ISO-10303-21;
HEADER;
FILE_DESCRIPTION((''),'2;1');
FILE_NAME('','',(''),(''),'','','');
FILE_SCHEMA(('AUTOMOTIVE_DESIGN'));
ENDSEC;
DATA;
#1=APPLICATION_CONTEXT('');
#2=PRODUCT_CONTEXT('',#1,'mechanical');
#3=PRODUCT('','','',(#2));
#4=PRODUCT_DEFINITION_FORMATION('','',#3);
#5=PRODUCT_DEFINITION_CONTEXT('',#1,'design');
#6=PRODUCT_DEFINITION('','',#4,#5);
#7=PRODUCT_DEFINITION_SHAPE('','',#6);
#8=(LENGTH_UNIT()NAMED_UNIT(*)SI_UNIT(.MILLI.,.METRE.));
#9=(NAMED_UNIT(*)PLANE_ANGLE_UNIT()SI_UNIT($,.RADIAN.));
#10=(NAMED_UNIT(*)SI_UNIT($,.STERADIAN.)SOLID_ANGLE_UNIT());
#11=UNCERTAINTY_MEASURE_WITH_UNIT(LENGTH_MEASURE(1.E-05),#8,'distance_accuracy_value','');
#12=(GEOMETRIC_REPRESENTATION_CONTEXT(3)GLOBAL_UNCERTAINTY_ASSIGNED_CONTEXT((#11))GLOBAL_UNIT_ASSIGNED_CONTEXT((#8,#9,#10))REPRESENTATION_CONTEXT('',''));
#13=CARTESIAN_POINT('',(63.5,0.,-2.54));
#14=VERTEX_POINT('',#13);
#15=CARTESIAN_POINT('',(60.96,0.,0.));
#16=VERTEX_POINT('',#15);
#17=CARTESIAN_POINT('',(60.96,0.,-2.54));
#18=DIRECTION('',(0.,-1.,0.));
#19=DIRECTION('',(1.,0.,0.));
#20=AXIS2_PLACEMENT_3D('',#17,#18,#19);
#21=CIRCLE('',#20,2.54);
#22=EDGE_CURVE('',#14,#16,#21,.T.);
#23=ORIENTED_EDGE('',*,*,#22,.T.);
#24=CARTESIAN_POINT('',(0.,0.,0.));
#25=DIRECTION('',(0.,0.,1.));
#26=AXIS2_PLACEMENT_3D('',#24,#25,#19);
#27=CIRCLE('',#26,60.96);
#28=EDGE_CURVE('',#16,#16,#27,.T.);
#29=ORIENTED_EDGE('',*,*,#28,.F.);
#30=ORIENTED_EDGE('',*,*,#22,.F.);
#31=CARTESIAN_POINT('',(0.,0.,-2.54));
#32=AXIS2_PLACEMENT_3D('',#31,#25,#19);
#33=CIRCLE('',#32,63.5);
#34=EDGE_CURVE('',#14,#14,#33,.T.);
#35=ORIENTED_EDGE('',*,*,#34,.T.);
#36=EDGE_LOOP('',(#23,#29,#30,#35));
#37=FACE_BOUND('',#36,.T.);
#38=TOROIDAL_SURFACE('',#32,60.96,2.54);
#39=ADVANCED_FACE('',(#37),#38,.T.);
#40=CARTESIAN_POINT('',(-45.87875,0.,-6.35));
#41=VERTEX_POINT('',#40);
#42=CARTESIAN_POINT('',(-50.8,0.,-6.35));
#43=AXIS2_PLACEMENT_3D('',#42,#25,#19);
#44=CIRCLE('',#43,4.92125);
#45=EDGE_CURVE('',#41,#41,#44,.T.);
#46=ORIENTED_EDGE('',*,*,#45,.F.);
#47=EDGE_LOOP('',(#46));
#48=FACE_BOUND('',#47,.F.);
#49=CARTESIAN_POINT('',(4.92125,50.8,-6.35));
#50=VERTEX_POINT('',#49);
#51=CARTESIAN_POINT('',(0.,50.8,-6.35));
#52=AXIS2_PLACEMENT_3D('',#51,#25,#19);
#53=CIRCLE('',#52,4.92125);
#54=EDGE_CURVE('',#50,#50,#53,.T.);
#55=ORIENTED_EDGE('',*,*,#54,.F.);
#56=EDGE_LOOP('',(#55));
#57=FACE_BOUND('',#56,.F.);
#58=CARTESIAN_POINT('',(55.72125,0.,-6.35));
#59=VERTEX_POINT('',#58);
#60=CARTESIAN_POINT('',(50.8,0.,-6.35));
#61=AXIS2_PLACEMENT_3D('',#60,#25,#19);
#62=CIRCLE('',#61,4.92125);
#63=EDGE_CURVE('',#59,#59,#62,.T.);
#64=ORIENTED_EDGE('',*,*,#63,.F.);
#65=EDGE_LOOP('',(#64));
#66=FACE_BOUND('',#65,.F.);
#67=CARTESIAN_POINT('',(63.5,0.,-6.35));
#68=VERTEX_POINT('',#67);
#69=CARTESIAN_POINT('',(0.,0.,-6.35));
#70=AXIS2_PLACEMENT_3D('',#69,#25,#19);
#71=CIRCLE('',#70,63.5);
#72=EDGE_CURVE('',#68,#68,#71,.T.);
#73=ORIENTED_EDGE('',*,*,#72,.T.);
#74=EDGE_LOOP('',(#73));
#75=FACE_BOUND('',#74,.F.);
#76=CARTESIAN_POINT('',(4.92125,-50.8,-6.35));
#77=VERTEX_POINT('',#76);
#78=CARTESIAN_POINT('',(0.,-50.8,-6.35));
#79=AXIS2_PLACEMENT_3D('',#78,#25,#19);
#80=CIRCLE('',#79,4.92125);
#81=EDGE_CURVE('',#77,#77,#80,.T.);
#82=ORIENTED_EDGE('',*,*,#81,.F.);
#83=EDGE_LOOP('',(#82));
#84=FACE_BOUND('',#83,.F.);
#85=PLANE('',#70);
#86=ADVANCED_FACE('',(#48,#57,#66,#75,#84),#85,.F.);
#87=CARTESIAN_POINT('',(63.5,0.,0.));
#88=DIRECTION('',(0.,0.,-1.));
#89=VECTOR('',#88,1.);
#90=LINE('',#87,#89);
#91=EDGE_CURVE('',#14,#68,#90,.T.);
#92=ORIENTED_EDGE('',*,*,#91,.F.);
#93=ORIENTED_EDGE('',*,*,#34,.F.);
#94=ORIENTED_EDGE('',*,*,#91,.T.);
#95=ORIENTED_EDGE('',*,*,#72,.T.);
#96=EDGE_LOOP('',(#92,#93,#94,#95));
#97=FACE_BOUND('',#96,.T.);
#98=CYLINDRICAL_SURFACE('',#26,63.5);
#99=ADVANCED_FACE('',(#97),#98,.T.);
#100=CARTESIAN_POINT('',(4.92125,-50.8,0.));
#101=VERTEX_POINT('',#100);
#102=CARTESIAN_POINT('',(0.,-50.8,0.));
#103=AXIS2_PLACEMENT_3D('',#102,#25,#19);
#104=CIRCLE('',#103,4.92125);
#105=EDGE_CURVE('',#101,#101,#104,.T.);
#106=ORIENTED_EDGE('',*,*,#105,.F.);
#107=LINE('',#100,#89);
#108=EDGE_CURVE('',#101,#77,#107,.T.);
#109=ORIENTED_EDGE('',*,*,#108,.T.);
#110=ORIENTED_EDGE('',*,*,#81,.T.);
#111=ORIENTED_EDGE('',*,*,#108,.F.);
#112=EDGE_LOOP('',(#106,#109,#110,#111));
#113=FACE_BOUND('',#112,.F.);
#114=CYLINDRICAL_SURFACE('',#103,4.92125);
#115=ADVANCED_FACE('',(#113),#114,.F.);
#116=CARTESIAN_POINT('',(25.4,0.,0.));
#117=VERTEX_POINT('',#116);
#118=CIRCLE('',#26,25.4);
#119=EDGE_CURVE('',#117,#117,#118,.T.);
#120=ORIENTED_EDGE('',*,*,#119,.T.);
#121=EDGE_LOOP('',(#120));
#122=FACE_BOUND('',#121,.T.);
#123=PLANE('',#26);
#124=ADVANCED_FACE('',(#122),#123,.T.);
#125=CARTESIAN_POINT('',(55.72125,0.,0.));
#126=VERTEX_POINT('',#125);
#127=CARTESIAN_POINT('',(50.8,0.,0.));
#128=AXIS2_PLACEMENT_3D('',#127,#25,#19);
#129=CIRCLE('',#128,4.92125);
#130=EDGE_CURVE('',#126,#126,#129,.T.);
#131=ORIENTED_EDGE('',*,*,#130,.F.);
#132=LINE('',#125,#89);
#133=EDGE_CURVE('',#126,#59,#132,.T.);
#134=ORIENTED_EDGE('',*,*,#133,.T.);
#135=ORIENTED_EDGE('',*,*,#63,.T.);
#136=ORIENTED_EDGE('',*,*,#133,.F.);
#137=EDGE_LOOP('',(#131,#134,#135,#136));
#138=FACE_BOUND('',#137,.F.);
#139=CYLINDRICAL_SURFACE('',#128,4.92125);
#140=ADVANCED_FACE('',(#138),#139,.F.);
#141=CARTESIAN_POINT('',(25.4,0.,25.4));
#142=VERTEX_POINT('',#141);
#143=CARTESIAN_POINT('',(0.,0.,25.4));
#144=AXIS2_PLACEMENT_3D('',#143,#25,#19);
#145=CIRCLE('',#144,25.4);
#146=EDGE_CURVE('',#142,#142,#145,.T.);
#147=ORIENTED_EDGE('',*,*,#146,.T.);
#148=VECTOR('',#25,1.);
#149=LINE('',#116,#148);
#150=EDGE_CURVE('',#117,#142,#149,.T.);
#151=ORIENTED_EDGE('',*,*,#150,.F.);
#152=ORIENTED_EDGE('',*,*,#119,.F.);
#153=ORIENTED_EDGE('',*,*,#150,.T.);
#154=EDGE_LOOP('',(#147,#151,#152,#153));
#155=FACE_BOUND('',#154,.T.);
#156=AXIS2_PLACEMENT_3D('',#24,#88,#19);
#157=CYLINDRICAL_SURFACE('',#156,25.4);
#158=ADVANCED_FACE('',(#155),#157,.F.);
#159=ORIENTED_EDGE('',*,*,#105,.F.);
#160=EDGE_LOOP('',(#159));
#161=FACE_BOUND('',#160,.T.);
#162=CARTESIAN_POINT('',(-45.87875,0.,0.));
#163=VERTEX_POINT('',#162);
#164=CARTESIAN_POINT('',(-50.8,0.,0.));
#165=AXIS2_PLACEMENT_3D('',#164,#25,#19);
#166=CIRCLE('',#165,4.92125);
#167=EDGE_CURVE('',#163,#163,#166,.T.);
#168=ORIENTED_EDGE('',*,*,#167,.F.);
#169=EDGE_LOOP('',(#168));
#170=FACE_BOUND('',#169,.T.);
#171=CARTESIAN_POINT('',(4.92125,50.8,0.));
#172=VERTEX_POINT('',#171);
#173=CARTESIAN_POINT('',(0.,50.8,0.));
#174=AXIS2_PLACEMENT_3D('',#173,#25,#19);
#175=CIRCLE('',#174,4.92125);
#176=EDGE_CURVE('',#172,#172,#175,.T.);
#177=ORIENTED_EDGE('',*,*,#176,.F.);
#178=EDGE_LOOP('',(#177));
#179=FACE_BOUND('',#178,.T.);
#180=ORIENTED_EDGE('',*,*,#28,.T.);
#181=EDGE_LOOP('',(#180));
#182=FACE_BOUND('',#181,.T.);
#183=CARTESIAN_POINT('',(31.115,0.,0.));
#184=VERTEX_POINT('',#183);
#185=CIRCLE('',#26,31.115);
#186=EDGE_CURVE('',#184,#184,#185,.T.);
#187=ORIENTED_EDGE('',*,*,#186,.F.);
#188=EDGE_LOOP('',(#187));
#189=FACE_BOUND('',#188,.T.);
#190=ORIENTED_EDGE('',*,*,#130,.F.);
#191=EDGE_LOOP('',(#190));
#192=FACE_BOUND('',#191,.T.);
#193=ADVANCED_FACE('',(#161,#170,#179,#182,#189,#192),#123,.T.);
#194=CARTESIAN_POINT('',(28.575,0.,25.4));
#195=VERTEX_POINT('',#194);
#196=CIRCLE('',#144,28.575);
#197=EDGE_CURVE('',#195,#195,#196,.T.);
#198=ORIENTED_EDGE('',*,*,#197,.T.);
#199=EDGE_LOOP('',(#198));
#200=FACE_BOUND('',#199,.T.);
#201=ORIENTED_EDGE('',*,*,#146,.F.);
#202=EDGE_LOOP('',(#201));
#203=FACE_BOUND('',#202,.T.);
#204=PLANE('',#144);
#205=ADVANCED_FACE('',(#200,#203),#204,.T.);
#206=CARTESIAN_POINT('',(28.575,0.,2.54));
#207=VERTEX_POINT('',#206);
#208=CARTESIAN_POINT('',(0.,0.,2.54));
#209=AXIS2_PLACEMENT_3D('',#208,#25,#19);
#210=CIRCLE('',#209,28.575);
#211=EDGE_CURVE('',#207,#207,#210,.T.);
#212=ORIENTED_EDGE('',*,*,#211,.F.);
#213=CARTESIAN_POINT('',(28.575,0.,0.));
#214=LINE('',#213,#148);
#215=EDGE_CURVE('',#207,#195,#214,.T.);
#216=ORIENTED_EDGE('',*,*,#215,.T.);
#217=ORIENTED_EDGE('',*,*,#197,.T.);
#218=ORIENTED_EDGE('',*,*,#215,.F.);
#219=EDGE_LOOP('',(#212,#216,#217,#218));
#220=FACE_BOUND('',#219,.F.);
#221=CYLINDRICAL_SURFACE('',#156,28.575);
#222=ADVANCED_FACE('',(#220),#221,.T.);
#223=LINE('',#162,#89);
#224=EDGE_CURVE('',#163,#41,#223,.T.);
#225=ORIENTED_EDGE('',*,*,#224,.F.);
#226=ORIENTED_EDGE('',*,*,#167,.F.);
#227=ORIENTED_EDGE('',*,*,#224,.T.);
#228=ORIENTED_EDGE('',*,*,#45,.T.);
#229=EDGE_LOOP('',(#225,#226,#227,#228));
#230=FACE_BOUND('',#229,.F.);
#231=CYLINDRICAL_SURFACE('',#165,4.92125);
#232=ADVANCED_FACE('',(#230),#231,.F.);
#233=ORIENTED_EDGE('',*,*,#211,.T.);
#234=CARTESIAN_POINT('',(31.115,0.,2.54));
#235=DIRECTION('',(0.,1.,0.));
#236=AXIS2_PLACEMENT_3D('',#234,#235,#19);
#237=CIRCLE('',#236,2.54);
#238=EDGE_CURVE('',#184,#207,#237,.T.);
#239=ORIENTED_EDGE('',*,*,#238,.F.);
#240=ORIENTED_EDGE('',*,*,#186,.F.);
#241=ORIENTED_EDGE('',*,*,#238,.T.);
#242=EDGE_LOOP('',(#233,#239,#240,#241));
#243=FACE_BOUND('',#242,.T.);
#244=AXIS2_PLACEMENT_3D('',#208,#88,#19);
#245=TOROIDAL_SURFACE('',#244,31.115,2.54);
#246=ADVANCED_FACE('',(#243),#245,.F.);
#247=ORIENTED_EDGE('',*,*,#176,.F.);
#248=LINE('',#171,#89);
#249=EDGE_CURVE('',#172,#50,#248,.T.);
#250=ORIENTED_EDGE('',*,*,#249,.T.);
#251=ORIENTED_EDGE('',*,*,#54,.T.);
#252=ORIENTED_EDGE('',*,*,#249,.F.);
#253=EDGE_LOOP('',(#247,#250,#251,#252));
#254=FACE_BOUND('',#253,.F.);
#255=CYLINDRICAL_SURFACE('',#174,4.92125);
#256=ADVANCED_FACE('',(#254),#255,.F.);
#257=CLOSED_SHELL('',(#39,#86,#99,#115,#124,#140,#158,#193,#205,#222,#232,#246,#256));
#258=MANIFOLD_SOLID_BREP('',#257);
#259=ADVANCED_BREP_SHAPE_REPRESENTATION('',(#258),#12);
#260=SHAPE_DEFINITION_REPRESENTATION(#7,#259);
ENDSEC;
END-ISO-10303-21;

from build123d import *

# Parameters (mm, degrees)
F0_R     = 28.575
F0_R_2   = 25.4
F1_DEPTH = 25.4
F2_R     = 63.5
F3_DEPTH = 6.35
F4_R     = 2.54
F5_R     = 4.92125
F6_DEPTH = 6.35


with BuildPart() as f1:
    # F0 (on Top) → F1 (new body)
    with BuildSketch(Plane.XY):
        Circle(F0_R)
        Circle(F0_R_2, mode=Mode.SUBTRACT)
    extrude(amount=F1_DEPTH)

    # F2 (on Top) → F3 (join)
    with BuildSketch(Plane.XY):
        Circle(F2_R)
    extrude(amount=-F3_DEPTH)

    # F4
    f4_edges = [f1.edges().sort_by_distance(p)[0] for p in [
        (-63.5, 0, 0),
        (-28.575, 0, 0),
    ]]
    fillet(f4_edges, radius=F4_R)

    # F5 (on face) → F6 (cut, through all)
    with BuildSketch(Plane.XY):
        with Locations((50.8, 0)):
            Circle(F5_R)
        with Locations((0, -50.8)):
            Circle(F5_R)
        with Locations((-50.8, 0)):
            Circle(F5_R)
        with Locations((0, 50.8)):
            Circle(F5_R)
    extrude(amount=-F6_DEPTH, mode=Mode.SUBTRACT)


solid = f1.part
